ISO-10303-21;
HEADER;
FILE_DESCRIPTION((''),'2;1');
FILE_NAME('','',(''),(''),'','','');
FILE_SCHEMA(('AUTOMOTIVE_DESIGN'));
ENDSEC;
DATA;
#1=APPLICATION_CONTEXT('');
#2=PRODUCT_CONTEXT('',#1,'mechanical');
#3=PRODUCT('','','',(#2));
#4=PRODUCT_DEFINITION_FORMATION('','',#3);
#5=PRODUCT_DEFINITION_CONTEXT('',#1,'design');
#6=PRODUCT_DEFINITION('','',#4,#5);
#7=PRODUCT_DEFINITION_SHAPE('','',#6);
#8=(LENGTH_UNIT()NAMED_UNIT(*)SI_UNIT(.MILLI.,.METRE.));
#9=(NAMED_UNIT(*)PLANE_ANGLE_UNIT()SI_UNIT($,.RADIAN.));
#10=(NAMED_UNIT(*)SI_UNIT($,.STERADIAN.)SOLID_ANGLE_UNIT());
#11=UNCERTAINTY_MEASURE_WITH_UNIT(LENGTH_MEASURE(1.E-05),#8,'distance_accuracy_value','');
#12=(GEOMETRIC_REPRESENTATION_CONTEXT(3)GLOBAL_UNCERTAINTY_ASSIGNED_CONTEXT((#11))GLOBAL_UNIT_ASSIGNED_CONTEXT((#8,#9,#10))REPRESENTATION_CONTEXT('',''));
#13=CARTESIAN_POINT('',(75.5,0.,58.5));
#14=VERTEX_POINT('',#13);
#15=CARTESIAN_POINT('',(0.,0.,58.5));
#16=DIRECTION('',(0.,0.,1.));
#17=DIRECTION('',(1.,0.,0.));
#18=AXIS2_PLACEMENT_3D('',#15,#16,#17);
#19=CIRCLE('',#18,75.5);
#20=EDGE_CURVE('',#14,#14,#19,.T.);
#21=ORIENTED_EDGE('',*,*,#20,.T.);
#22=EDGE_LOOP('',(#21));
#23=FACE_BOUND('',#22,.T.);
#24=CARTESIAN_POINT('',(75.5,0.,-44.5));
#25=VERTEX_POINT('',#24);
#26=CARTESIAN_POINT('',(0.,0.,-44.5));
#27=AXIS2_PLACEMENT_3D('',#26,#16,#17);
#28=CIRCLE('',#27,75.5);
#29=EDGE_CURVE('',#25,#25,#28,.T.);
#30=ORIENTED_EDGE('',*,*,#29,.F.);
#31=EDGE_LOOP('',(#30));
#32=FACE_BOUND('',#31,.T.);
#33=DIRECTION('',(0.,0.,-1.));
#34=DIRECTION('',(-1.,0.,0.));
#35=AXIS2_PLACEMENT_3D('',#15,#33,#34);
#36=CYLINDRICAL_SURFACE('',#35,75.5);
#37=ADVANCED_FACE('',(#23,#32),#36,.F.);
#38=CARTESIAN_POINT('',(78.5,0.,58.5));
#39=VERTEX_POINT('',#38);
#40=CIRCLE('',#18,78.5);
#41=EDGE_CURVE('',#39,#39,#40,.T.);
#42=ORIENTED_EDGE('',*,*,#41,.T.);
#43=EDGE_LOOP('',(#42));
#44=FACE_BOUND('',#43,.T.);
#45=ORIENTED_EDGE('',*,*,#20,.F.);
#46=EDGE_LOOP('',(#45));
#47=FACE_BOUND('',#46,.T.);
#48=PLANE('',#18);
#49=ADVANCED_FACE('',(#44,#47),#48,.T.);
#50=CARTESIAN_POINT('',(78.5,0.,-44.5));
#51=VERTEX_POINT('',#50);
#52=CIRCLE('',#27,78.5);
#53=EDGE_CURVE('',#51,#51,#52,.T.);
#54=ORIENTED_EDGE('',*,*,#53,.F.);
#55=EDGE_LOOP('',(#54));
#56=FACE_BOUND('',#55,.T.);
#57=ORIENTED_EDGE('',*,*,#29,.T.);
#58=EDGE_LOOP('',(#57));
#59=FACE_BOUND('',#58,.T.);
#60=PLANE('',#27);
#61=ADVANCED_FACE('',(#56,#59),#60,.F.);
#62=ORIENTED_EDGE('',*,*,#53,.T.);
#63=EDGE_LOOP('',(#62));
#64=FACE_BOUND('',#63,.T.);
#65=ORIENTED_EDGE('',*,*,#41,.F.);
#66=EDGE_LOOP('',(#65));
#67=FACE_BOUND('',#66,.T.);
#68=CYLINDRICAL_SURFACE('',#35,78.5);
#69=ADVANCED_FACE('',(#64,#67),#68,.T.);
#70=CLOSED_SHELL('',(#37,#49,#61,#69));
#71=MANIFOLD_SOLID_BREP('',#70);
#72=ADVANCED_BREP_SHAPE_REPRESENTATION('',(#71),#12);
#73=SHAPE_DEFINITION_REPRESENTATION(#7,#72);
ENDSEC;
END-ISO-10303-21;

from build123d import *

# Parameters (mm, degrees)
RIM_REFERENCE_START = -44.5
SKETCH_1_R          = 78.5
SKETCH_1_R_2        = 75.5
RIM_REFERENCE_DEPTH = 103


with BuildPart() as part:
    # Эскиз1 → Rim_reference (new body)
    with BuildSketch(Plane.XY.offset(RIM_REFERENCE_START)):
        Circle(SKETCH_1_R)
        Circle(SKETCH_1_R_2, mode=Mode.SUBTRACT)
    extrude(amount=RIM_REFERENCE_DEPTH)


solid = part.part
